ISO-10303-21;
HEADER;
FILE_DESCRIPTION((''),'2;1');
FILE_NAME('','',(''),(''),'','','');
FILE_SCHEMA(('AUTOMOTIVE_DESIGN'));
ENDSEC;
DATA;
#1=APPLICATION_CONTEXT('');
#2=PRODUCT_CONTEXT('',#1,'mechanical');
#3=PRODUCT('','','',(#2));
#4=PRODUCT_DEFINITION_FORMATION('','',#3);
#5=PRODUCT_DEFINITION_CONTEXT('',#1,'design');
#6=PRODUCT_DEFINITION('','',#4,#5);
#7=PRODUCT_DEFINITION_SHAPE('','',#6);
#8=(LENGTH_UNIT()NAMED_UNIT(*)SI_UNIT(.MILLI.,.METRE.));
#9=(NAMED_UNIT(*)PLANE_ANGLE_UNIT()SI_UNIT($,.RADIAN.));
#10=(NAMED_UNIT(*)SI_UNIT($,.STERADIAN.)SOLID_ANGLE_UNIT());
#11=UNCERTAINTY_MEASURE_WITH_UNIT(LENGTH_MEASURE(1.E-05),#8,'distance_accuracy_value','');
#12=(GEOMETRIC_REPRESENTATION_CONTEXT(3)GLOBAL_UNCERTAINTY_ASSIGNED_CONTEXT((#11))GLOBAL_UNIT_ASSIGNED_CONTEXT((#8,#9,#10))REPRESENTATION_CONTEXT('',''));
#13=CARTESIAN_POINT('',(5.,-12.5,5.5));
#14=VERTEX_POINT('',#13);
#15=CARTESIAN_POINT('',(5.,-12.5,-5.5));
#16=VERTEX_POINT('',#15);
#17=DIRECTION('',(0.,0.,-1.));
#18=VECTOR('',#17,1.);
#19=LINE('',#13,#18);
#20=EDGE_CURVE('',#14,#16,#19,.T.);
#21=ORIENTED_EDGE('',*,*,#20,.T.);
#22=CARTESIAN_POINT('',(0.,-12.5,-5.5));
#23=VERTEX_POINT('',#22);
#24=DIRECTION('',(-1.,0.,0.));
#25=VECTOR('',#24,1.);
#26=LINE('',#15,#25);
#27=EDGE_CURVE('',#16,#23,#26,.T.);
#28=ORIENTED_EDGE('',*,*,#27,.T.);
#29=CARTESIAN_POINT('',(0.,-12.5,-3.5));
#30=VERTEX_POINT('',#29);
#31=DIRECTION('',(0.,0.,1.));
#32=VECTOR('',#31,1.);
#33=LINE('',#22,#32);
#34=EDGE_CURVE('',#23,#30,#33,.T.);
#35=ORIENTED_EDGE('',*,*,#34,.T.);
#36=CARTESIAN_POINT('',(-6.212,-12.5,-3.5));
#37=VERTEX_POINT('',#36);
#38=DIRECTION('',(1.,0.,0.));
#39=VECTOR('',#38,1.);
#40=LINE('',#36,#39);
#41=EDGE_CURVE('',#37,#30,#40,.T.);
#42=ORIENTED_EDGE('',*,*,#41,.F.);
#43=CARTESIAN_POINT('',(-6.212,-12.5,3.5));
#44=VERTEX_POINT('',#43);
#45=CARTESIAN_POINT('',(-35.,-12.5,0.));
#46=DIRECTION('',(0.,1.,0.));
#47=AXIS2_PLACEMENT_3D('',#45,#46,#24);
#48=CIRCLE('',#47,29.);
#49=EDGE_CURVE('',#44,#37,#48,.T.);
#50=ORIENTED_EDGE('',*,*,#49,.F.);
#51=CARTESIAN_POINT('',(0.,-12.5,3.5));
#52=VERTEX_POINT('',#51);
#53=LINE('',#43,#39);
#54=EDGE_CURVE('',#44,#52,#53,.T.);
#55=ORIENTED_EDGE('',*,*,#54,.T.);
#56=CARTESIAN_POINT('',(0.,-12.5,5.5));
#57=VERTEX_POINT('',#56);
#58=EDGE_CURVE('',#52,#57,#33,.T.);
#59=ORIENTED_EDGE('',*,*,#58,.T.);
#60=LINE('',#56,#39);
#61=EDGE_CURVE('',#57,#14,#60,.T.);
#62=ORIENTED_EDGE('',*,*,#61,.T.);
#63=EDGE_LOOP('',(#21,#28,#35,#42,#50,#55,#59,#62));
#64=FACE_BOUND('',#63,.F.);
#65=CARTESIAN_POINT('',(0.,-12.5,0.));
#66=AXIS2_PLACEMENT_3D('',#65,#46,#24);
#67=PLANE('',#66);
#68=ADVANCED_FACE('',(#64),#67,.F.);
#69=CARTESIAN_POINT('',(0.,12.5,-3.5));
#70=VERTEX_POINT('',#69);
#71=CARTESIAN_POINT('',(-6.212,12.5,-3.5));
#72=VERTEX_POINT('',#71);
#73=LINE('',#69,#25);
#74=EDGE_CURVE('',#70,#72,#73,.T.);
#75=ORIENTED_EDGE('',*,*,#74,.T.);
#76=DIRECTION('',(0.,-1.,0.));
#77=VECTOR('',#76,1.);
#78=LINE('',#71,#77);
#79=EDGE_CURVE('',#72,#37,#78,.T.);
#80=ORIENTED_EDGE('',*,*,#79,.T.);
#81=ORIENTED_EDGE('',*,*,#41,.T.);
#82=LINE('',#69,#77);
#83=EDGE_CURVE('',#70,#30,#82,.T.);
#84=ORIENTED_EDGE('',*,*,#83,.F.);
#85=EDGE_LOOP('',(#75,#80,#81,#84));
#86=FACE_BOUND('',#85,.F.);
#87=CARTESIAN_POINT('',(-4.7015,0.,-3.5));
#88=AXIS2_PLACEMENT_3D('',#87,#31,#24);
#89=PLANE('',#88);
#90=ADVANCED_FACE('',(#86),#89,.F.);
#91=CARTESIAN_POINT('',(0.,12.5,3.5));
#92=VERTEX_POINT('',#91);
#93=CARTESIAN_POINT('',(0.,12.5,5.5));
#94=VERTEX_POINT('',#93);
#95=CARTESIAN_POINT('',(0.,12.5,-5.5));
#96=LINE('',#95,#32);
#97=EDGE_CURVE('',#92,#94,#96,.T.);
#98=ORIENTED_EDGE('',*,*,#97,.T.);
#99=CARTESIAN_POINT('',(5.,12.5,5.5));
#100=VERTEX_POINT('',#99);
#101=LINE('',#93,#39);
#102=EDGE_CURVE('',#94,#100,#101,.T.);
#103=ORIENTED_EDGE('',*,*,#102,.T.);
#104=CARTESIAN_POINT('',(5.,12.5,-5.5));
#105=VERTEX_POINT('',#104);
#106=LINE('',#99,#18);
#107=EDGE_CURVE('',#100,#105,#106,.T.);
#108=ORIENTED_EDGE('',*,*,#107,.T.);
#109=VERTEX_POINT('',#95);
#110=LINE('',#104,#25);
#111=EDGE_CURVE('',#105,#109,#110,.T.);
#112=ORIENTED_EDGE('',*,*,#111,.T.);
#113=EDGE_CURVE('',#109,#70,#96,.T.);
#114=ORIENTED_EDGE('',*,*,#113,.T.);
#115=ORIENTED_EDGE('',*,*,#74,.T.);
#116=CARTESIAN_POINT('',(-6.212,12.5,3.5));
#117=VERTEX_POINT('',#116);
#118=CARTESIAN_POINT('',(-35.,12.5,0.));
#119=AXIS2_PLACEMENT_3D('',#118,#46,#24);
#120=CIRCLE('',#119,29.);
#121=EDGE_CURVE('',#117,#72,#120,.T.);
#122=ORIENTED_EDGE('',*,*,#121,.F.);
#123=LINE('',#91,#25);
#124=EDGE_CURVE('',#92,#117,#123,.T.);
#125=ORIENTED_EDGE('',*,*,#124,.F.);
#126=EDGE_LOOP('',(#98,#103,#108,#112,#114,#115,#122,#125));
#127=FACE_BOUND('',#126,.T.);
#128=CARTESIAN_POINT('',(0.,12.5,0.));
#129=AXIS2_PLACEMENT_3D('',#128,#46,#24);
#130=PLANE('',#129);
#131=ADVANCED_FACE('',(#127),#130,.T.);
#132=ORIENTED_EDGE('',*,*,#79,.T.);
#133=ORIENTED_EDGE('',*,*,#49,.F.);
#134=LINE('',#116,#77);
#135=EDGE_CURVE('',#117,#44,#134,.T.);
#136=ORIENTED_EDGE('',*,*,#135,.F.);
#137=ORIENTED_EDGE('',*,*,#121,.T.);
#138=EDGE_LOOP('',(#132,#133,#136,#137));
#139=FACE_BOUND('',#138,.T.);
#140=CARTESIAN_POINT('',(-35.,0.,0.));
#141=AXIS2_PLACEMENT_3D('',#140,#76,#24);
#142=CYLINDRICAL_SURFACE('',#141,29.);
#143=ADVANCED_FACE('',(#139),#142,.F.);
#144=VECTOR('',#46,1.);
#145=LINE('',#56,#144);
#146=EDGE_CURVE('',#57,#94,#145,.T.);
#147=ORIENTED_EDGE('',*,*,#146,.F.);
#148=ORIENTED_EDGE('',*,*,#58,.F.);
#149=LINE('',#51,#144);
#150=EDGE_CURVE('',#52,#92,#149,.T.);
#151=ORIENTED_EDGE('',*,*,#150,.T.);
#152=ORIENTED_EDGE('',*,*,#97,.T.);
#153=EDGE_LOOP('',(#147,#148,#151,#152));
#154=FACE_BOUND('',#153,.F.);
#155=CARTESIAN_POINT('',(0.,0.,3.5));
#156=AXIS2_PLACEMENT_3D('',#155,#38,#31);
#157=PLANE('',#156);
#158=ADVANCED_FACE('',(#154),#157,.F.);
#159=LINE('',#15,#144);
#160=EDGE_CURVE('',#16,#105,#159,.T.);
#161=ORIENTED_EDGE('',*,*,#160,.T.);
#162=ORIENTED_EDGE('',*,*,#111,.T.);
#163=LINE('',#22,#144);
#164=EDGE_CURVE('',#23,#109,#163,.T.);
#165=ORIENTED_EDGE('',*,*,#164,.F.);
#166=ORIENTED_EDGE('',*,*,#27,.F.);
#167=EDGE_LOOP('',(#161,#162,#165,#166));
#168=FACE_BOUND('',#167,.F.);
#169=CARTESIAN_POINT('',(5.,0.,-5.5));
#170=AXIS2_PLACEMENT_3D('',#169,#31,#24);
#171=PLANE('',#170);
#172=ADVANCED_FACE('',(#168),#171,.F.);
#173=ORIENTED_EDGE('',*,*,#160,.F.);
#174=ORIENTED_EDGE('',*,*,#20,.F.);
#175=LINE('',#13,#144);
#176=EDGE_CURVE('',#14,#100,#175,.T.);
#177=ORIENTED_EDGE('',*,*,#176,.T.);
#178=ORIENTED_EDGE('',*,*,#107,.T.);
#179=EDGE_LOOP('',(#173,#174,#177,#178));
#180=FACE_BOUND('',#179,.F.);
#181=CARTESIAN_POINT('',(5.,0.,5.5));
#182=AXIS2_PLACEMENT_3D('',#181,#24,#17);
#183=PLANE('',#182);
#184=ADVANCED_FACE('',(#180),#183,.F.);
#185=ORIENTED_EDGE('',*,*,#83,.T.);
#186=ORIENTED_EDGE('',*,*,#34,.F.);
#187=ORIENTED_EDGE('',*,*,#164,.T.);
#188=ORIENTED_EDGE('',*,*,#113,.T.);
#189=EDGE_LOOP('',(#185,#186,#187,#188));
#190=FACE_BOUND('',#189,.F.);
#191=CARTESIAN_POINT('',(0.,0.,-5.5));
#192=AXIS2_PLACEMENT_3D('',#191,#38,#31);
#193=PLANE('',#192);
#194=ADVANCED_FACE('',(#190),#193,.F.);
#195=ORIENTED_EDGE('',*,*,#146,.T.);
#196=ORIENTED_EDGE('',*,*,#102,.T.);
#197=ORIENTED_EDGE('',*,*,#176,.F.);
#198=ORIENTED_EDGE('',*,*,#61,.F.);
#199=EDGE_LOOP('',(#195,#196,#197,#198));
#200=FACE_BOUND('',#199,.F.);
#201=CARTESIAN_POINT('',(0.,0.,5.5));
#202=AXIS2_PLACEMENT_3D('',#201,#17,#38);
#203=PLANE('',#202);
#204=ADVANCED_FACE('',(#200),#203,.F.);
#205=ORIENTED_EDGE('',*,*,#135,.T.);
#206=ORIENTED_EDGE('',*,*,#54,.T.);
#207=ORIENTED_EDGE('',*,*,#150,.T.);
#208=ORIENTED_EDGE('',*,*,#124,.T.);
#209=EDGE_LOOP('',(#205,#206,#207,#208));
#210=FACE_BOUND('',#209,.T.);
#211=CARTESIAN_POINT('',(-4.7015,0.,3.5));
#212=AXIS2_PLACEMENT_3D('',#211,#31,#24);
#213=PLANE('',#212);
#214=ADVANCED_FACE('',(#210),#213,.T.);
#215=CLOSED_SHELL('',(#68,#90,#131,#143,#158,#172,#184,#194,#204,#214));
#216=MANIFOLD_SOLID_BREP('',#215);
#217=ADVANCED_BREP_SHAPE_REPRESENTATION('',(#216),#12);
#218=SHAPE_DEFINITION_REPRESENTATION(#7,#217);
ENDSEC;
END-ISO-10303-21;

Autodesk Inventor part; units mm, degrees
ref_plane "YZ Plane" through (0, 0, 0) normal (1, 0, 0) x (0, 1, 0)
ref_plane "XZ Plane" through (0, 0, 0) normal (0, 1, 0) x (-1, 0, 0)
ref_plane "XY Plane" through (0, 0, 0) normal (0, 0, 1) x (1, 0, 0)
sketch "Skizze1" plane through (0, 0, 0) normal (0, 1, 0) x (-1, 0, 0)
  line L0 (39.5556, 0) -> (-37.1227, 0) construction
  line L1 (0, 37.8779) -> (0, -33.8132) construction
  circle A0 centre (35, 0) radius 30.5
  circle A1 centre (35, 0) radius 29
  line L2 (4.7015, 3.5) -> (0, 3.5)
  line L3 (4.7015, -3.5) -> (0, -3.5)
  line L4 (0, 3.5) -> (0, -3.5)
  line L5 (0, 5.5) -> (-5, 5.5)
  line L6 (-5, 5.5) -> (-5, -5.5)
  line L7 (-5, -5.5) -> (0, -5.5)
  line L8 (0, -5.5) -> (0, 5.5)
  line L9 (4.7015, 3.5) -> (6.212, 3.5)
  line L10 (4.7015, -3.5) -> (6.212, -3.5)
  point P0 (0, 0)
  point P1 (0, 3.5)
  dimension "d0" = 61
  dimension "d1" = 35
  dimension "d2" = 1.5
  dimension "d3" = 7
  dimension "d4" = 5
  dimension "d5" = 11
extrude "Extrusion1" add sketch "Skizze1" along normal mid plane 25 contours L9 A1 L10 A0 | A0 L3 L4 L2 | L4 L8 L7 L6 L5 picked at (5.6457, 2.7231)
properties part number "duct_stift"
